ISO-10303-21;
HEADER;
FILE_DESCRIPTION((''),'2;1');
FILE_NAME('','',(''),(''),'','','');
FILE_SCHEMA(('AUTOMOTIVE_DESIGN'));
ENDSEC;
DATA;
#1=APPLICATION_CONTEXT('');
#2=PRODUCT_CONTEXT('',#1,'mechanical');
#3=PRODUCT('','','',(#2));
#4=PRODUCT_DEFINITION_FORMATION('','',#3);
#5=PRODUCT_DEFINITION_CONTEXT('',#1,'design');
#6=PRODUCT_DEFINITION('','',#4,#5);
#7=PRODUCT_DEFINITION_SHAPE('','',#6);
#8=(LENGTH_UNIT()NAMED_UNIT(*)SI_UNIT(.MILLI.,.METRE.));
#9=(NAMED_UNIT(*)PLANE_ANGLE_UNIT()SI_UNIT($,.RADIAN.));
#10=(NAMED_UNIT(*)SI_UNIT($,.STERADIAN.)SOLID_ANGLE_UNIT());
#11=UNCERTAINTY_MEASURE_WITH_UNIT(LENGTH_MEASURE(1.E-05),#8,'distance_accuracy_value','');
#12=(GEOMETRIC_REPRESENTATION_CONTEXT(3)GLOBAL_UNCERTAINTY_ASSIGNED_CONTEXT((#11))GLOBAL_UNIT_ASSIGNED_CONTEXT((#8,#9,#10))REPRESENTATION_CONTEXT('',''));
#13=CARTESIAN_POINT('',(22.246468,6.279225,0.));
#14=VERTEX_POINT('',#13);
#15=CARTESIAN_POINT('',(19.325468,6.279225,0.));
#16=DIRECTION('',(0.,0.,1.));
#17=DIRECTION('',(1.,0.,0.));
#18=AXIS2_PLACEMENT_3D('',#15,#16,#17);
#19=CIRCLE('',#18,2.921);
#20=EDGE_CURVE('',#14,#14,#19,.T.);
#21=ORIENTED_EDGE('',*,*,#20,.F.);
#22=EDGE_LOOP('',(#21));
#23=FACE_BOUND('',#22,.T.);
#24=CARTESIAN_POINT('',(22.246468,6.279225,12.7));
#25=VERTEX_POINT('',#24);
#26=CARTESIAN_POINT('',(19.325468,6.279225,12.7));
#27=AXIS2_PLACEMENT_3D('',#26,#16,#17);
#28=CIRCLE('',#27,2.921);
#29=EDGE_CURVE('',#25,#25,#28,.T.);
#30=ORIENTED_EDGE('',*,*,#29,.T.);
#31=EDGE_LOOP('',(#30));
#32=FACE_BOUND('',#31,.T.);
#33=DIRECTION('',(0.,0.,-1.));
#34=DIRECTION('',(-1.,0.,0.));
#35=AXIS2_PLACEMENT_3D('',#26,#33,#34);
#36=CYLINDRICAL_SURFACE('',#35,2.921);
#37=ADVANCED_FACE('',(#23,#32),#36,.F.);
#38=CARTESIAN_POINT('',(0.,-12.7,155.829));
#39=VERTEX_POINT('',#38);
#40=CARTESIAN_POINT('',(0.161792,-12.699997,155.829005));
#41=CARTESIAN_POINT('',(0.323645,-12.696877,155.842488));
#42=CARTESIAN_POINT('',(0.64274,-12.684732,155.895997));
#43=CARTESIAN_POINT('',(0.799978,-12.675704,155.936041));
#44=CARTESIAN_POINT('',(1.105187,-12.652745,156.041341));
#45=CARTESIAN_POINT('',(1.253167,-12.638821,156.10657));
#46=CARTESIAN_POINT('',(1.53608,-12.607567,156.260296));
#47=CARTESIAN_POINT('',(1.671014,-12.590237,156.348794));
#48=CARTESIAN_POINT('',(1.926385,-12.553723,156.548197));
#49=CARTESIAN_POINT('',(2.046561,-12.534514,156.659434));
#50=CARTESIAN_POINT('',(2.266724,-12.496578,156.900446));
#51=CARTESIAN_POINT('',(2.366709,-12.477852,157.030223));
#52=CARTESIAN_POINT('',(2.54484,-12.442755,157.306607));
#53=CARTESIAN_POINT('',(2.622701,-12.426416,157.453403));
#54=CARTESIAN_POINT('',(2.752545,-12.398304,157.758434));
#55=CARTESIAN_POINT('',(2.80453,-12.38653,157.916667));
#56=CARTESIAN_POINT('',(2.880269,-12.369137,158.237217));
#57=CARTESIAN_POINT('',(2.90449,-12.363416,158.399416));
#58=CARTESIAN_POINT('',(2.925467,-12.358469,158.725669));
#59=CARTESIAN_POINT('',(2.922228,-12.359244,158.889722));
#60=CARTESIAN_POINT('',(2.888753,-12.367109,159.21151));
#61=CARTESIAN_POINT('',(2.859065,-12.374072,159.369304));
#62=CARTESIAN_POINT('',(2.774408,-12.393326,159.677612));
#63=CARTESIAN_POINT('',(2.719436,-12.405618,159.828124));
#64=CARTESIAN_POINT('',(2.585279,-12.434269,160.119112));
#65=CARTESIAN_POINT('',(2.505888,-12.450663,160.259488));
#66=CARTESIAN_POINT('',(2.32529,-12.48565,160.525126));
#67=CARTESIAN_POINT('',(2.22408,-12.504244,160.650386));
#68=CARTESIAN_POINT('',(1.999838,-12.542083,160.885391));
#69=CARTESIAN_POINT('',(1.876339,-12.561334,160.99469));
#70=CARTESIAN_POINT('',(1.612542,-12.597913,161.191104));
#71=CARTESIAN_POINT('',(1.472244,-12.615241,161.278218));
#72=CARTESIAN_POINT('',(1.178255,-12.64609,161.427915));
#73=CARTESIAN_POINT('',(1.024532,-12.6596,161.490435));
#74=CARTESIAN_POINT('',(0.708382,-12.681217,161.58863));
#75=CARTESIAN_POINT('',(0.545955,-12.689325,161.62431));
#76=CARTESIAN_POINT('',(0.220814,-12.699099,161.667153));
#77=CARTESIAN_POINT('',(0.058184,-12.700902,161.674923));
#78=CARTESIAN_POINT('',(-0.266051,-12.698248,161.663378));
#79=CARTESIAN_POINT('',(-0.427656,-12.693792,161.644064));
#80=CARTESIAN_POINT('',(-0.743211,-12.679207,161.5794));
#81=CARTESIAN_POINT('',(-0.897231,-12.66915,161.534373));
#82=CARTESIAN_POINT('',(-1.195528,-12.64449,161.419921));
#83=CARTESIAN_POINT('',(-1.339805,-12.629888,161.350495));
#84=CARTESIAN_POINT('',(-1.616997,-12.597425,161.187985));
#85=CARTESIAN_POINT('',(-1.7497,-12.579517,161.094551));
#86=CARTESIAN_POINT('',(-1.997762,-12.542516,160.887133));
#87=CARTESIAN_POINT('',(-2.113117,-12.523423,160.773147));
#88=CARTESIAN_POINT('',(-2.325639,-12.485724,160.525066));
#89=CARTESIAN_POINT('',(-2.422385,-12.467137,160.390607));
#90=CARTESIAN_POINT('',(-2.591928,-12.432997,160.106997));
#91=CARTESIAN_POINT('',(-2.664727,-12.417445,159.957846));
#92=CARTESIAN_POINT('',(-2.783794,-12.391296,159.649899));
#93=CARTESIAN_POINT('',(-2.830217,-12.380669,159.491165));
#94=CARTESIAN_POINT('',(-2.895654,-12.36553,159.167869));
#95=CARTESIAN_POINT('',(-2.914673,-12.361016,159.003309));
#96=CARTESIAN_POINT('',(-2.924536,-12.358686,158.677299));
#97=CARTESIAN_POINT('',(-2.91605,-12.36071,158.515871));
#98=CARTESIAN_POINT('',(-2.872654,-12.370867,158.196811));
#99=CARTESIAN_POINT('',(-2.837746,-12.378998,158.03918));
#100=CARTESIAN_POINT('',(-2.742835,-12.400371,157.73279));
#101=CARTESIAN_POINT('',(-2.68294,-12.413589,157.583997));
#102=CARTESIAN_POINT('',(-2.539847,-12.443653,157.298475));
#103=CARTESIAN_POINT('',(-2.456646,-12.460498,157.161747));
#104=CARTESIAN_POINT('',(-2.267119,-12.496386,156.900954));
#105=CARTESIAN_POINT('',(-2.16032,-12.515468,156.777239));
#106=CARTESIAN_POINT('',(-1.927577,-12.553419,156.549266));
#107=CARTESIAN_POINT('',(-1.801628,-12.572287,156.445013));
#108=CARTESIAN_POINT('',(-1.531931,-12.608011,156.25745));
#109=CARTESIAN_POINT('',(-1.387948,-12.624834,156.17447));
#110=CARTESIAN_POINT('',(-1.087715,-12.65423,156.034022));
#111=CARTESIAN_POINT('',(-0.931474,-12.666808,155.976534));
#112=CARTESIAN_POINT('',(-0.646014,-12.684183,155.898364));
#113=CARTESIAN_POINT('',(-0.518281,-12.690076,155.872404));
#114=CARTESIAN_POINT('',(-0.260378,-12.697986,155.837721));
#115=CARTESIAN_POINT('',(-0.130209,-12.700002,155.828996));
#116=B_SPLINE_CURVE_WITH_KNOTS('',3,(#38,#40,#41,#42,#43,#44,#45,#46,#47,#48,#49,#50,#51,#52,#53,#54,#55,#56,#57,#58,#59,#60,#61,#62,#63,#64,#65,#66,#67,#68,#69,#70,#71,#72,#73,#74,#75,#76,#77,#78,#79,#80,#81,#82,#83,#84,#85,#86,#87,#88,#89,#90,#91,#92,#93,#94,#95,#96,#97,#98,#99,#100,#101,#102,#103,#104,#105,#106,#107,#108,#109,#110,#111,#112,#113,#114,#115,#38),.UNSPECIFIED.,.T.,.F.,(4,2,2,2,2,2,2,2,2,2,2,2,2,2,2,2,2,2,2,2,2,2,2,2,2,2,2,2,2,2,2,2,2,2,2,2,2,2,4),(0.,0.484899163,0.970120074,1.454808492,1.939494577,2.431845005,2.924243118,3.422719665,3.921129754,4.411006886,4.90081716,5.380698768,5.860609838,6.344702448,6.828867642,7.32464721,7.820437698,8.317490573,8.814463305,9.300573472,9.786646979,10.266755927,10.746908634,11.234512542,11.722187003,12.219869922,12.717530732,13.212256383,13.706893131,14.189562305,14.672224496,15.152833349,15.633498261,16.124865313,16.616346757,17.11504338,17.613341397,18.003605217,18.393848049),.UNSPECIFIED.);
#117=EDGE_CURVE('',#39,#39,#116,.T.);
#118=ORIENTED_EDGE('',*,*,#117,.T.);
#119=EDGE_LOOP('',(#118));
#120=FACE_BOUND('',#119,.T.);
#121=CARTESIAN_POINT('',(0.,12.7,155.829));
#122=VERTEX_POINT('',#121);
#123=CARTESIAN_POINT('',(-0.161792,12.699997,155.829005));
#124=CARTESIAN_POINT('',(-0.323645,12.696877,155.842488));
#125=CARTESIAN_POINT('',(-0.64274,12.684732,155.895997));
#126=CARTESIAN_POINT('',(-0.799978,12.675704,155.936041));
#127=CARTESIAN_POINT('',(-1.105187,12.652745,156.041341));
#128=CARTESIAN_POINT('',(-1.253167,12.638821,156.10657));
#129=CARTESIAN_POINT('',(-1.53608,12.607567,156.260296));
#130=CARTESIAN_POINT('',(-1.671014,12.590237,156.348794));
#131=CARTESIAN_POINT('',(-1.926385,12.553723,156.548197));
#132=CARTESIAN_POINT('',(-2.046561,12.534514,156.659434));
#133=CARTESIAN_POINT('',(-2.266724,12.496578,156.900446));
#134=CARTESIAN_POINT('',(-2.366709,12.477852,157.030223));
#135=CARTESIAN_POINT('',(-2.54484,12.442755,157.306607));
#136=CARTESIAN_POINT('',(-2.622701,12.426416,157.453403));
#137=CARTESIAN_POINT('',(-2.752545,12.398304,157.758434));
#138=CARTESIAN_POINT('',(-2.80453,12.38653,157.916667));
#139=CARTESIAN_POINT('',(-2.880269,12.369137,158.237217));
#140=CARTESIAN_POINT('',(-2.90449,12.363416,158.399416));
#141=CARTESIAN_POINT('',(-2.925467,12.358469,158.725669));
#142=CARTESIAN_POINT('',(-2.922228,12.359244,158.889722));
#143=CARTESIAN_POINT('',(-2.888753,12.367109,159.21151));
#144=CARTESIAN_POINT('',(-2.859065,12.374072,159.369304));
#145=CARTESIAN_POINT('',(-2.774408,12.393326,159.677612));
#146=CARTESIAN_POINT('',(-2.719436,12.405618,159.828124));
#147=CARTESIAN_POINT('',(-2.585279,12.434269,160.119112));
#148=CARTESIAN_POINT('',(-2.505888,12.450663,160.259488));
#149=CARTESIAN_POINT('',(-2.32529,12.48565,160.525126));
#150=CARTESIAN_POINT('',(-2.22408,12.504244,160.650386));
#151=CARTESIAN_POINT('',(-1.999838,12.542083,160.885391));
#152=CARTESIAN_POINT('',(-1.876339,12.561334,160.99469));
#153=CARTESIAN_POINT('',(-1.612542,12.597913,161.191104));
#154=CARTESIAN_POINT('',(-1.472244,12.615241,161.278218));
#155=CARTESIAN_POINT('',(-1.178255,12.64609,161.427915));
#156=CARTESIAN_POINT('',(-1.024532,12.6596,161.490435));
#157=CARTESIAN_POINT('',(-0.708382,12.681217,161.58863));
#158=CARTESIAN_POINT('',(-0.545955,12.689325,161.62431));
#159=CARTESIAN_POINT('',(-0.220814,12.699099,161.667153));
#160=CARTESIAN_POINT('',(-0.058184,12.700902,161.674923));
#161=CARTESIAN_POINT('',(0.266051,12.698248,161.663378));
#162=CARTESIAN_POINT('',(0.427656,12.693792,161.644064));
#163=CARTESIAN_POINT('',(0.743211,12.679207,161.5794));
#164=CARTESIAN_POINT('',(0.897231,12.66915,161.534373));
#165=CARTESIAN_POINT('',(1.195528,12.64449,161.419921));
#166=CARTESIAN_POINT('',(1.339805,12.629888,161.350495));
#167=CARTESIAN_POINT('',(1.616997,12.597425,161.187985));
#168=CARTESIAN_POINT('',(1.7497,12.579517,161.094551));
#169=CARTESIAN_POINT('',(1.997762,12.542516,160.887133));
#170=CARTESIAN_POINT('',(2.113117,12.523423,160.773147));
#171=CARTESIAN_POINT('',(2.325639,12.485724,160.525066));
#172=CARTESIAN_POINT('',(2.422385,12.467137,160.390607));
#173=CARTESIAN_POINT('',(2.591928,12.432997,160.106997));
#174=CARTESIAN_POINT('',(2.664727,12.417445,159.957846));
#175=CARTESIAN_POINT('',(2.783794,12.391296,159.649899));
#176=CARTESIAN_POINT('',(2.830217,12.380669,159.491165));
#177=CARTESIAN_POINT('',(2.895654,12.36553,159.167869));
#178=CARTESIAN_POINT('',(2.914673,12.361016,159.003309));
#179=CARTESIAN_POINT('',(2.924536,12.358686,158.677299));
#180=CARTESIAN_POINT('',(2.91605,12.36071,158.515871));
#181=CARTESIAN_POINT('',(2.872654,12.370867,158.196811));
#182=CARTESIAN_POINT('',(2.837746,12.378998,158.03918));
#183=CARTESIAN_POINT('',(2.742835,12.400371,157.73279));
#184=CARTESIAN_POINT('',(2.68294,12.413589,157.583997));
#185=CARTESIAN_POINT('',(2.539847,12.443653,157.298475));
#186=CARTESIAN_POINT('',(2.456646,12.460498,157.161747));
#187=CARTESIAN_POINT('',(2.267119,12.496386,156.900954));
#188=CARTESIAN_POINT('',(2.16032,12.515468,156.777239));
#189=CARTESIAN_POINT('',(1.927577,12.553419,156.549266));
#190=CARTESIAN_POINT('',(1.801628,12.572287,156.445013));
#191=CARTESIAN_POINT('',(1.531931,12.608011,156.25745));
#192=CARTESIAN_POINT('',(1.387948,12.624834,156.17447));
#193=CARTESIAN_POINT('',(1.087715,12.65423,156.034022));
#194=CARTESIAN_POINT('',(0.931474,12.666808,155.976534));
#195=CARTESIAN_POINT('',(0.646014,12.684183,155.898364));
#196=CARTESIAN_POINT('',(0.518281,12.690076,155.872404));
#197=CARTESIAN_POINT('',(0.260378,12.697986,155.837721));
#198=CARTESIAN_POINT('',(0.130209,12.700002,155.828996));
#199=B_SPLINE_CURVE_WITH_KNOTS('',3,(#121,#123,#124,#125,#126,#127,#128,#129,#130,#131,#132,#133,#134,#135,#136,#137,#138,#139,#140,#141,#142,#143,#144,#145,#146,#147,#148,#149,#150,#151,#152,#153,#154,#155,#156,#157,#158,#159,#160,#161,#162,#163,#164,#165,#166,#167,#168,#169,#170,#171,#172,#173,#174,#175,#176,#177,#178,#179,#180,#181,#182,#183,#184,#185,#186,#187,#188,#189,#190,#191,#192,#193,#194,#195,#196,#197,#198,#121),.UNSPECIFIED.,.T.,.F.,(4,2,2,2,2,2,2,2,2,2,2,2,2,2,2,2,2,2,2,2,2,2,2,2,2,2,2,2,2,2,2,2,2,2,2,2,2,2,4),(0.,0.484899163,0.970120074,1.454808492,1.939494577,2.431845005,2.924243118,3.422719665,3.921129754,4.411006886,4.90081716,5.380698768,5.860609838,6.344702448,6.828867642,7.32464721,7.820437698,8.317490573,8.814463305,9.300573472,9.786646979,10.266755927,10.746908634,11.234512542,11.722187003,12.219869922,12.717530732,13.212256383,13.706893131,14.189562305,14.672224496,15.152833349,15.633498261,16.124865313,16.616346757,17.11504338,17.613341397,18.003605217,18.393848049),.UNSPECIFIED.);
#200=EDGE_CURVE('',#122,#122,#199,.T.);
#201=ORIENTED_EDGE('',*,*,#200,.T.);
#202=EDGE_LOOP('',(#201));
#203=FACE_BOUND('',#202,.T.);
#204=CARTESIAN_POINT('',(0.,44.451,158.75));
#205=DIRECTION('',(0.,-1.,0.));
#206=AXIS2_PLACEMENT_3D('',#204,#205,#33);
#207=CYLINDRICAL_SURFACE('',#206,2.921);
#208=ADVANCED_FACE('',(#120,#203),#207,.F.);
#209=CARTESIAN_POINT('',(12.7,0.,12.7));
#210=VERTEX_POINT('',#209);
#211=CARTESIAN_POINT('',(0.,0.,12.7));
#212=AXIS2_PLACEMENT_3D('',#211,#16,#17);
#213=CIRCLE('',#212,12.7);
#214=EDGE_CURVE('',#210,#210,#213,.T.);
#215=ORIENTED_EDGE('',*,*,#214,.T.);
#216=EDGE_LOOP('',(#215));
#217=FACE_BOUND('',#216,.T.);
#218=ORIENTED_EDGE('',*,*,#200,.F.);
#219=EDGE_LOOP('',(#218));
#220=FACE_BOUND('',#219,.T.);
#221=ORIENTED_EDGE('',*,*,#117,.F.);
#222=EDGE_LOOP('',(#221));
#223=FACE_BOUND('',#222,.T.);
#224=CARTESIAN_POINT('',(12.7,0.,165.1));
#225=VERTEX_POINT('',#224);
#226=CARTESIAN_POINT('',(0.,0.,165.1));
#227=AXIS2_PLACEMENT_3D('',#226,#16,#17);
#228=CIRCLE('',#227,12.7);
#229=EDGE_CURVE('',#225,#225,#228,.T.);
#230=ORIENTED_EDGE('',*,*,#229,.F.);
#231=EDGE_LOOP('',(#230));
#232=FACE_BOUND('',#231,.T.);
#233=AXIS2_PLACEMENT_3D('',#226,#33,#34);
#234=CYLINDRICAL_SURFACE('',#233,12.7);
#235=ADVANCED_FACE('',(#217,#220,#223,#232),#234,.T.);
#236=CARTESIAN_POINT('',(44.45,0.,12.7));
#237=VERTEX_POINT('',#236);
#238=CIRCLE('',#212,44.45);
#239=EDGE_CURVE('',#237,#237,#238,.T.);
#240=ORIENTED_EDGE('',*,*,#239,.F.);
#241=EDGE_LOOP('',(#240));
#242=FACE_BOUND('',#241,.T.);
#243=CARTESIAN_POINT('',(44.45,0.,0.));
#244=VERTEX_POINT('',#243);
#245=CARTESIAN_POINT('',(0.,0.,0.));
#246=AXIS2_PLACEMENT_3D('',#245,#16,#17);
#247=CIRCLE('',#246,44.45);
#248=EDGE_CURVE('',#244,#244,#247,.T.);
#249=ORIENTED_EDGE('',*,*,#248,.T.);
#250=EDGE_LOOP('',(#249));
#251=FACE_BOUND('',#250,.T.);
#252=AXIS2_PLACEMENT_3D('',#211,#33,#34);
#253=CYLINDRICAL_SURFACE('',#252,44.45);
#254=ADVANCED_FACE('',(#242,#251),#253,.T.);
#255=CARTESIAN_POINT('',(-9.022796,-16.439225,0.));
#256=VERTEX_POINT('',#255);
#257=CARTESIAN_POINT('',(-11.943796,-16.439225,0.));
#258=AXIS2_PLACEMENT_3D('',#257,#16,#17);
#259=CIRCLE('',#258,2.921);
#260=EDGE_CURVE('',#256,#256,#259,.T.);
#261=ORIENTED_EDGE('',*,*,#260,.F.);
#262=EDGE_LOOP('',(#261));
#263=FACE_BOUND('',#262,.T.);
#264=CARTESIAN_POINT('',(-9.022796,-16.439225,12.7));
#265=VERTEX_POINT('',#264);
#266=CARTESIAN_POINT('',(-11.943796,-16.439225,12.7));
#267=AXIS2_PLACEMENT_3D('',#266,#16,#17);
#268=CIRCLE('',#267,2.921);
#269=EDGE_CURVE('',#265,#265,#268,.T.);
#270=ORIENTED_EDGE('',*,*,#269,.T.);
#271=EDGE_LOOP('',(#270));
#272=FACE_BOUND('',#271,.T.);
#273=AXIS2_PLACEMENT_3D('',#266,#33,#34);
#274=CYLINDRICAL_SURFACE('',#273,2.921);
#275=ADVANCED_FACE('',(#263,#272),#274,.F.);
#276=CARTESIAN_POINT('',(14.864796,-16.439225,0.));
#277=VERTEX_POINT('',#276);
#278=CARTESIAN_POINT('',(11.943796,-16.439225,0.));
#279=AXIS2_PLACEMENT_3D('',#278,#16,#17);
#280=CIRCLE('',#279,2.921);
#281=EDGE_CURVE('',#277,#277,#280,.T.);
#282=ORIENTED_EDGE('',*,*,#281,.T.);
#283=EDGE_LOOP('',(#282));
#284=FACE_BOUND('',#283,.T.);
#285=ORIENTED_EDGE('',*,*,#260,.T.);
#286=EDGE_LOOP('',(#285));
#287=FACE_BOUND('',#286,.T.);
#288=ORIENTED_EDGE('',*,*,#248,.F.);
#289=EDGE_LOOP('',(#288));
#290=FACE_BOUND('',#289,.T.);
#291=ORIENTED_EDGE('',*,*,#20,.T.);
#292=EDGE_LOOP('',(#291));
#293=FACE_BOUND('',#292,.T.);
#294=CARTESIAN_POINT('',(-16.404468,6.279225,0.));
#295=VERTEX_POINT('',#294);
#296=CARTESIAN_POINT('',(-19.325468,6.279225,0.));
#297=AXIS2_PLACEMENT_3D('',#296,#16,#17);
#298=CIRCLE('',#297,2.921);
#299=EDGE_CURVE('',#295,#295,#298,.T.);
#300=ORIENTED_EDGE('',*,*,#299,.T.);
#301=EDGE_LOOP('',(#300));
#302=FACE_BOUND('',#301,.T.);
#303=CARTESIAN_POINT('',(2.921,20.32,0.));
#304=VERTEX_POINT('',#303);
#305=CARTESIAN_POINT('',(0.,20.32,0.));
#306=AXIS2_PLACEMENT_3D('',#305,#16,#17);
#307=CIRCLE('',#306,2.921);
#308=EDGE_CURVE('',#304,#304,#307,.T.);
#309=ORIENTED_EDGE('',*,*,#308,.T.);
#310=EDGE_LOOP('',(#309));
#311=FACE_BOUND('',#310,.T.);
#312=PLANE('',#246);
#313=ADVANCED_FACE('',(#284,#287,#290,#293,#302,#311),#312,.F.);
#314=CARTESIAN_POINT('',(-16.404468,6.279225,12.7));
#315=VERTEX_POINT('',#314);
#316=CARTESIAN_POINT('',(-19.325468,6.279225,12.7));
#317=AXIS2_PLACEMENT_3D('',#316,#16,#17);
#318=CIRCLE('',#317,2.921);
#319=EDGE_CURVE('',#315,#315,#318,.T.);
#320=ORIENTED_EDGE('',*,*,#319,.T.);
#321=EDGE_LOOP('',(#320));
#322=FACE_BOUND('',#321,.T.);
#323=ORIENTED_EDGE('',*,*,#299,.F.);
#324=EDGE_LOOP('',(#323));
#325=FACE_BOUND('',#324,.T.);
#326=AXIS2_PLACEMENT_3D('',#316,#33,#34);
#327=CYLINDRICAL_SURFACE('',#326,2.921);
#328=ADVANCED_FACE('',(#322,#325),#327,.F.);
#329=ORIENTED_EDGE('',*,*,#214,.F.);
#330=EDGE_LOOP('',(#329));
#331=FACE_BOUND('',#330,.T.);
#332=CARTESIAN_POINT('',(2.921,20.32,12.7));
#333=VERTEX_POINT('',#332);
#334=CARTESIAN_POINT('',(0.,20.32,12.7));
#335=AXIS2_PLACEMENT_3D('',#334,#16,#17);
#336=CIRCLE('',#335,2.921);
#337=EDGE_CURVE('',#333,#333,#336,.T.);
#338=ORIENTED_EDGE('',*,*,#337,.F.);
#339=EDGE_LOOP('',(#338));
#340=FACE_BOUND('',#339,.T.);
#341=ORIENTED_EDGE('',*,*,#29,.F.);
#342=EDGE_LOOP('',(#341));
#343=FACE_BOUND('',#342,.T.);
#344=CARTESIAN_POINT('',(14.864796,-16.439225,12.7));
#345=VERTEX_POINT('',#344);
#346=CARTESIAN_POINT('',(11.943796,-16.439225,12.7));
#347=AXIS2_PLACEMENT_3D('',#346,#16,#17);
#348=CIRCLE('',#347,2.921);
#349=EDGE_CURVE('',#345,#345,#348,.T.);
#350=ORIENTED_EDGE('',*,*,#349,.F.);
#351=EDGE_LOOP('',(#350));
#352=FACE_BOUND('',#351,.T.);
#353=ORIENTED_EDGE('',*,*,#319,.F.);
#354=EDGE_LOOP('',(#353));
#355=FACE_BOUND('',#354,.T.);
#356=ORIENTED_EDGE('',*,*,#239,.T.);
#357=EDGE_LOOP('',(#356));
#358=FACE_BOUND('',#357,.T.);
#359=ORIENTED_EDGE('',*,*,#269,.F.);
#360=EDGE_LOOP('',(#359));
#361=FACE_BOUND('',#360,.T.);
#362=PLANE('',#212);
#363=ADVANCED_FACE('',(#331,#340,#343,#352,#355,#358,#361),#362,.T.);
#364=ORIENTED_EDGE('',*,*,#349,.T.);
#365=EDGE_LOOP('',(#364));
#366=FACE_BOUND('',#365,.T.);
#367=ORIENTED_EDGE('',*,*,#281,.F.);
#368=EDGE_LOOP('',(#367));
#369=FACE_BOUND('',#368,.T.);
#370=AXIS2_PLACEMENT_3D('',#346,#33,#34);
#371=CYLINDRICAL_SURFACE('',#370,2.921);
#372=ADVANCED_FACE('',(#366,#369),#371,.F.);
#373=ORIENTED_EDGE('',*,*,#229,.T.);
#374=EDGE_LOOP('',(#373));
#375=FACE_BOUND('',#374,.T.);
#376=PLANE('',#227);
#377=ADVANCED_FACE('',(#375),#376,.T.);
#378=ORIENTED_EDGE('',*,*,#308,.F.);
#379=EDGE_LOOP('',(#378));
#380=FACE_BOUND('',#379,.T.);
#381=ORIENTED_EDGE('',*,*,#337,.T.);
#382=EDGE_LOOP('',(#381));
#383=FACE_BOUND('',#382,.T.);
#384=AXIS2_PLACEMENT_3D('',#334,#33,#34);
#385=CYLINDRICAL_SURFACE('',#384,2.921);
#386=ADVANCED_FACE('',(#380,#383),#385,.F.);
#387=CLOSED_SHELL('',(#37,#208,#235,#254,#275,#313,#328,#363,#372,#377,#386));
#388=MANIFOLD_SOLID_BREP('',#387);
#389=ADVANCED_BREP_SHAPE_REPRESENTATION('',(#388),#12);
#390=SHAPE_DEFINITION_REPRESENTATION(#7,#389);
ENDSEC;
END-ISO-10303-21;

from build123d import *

# Parameters (mm, degrees)
SKETCH1_R           = 44.45
SKETCH1_R_2         = 2.921
BOSS_EXTRUDE1_DEPTH = 12.7
SKETCH2_R           = 12.7
BOSS_EXTRUDE2_DEPTH = 152.4
CUT_EXTRUDE1_REACH  = 182.277
SKETCH4_R           = 2.921


with BuildPart() as part:
    # Sketch1 → Boss-Extrude1 (new body)
    with BuildSketch(Plane.XY):
        Circle(SKETCH1_R)
        with Locations((0, 20.32)):
            Circle(SKETCH1_R_2, mode=Mode.SUBTRACT)
        with Locations((19.325468411, 6.279225326)):
            Circle(SKETCH1_R_2, mode=Mode.SUBTRACT)
        with Locations((11.943796327, -16.439225326)):
            Circle(SKETCH1_R_2, mode=Mode.SUBTRACT)
        with Locations((-11.943796327, -16.439225326)):
            Circle(SKETCH1_R_2, mode=Mode.SUBTRACT)
        with Locations((-19.325468411, 6.279225326)):
            Circle(SKETCH1_R_2, mode=Mode.SUBTRACT)
    extrude(amount=BOSS_EXTRUDE1_DEPTH)

    # Sketch2 → Boss-Extrude2 (add)
    with BuildSketch(Plane.XY.offset(12.7)):
        with Locations(Location((0, 0, 0), (0, 0, 180))):
            Circle(SKETCH2_R)
    extrude(amount=BOSS_EXTRUDE2_DEPTH)

    # Sketch4 → Cut-Extrude1 (cut, up to next)
    with BuildSketch(Plane(origin=(0, -12.7, 0), x_dir=(-1, 0, 0), z_dir=(0, -1, 0)), mode=Mode.PRIVATE) as cut_extrude1_sk1:
        with Locations(Location((0, -158.75, 0), (0, 0, 90))):
            Circle(SKETCH4_R)
    cut_extrude1_tool1 = extrude(cut_extrude1_sk1.sketch, amount=-CUT_EXTRUDE1_REACH, mode=Mode.PRIVATE) & part.part
    add(cut_extrude1_tool1.solids().sort_by_distance((0, -12.7, 158.75))[0], mode=Mode.SUBTRACT)


solid = part.part
